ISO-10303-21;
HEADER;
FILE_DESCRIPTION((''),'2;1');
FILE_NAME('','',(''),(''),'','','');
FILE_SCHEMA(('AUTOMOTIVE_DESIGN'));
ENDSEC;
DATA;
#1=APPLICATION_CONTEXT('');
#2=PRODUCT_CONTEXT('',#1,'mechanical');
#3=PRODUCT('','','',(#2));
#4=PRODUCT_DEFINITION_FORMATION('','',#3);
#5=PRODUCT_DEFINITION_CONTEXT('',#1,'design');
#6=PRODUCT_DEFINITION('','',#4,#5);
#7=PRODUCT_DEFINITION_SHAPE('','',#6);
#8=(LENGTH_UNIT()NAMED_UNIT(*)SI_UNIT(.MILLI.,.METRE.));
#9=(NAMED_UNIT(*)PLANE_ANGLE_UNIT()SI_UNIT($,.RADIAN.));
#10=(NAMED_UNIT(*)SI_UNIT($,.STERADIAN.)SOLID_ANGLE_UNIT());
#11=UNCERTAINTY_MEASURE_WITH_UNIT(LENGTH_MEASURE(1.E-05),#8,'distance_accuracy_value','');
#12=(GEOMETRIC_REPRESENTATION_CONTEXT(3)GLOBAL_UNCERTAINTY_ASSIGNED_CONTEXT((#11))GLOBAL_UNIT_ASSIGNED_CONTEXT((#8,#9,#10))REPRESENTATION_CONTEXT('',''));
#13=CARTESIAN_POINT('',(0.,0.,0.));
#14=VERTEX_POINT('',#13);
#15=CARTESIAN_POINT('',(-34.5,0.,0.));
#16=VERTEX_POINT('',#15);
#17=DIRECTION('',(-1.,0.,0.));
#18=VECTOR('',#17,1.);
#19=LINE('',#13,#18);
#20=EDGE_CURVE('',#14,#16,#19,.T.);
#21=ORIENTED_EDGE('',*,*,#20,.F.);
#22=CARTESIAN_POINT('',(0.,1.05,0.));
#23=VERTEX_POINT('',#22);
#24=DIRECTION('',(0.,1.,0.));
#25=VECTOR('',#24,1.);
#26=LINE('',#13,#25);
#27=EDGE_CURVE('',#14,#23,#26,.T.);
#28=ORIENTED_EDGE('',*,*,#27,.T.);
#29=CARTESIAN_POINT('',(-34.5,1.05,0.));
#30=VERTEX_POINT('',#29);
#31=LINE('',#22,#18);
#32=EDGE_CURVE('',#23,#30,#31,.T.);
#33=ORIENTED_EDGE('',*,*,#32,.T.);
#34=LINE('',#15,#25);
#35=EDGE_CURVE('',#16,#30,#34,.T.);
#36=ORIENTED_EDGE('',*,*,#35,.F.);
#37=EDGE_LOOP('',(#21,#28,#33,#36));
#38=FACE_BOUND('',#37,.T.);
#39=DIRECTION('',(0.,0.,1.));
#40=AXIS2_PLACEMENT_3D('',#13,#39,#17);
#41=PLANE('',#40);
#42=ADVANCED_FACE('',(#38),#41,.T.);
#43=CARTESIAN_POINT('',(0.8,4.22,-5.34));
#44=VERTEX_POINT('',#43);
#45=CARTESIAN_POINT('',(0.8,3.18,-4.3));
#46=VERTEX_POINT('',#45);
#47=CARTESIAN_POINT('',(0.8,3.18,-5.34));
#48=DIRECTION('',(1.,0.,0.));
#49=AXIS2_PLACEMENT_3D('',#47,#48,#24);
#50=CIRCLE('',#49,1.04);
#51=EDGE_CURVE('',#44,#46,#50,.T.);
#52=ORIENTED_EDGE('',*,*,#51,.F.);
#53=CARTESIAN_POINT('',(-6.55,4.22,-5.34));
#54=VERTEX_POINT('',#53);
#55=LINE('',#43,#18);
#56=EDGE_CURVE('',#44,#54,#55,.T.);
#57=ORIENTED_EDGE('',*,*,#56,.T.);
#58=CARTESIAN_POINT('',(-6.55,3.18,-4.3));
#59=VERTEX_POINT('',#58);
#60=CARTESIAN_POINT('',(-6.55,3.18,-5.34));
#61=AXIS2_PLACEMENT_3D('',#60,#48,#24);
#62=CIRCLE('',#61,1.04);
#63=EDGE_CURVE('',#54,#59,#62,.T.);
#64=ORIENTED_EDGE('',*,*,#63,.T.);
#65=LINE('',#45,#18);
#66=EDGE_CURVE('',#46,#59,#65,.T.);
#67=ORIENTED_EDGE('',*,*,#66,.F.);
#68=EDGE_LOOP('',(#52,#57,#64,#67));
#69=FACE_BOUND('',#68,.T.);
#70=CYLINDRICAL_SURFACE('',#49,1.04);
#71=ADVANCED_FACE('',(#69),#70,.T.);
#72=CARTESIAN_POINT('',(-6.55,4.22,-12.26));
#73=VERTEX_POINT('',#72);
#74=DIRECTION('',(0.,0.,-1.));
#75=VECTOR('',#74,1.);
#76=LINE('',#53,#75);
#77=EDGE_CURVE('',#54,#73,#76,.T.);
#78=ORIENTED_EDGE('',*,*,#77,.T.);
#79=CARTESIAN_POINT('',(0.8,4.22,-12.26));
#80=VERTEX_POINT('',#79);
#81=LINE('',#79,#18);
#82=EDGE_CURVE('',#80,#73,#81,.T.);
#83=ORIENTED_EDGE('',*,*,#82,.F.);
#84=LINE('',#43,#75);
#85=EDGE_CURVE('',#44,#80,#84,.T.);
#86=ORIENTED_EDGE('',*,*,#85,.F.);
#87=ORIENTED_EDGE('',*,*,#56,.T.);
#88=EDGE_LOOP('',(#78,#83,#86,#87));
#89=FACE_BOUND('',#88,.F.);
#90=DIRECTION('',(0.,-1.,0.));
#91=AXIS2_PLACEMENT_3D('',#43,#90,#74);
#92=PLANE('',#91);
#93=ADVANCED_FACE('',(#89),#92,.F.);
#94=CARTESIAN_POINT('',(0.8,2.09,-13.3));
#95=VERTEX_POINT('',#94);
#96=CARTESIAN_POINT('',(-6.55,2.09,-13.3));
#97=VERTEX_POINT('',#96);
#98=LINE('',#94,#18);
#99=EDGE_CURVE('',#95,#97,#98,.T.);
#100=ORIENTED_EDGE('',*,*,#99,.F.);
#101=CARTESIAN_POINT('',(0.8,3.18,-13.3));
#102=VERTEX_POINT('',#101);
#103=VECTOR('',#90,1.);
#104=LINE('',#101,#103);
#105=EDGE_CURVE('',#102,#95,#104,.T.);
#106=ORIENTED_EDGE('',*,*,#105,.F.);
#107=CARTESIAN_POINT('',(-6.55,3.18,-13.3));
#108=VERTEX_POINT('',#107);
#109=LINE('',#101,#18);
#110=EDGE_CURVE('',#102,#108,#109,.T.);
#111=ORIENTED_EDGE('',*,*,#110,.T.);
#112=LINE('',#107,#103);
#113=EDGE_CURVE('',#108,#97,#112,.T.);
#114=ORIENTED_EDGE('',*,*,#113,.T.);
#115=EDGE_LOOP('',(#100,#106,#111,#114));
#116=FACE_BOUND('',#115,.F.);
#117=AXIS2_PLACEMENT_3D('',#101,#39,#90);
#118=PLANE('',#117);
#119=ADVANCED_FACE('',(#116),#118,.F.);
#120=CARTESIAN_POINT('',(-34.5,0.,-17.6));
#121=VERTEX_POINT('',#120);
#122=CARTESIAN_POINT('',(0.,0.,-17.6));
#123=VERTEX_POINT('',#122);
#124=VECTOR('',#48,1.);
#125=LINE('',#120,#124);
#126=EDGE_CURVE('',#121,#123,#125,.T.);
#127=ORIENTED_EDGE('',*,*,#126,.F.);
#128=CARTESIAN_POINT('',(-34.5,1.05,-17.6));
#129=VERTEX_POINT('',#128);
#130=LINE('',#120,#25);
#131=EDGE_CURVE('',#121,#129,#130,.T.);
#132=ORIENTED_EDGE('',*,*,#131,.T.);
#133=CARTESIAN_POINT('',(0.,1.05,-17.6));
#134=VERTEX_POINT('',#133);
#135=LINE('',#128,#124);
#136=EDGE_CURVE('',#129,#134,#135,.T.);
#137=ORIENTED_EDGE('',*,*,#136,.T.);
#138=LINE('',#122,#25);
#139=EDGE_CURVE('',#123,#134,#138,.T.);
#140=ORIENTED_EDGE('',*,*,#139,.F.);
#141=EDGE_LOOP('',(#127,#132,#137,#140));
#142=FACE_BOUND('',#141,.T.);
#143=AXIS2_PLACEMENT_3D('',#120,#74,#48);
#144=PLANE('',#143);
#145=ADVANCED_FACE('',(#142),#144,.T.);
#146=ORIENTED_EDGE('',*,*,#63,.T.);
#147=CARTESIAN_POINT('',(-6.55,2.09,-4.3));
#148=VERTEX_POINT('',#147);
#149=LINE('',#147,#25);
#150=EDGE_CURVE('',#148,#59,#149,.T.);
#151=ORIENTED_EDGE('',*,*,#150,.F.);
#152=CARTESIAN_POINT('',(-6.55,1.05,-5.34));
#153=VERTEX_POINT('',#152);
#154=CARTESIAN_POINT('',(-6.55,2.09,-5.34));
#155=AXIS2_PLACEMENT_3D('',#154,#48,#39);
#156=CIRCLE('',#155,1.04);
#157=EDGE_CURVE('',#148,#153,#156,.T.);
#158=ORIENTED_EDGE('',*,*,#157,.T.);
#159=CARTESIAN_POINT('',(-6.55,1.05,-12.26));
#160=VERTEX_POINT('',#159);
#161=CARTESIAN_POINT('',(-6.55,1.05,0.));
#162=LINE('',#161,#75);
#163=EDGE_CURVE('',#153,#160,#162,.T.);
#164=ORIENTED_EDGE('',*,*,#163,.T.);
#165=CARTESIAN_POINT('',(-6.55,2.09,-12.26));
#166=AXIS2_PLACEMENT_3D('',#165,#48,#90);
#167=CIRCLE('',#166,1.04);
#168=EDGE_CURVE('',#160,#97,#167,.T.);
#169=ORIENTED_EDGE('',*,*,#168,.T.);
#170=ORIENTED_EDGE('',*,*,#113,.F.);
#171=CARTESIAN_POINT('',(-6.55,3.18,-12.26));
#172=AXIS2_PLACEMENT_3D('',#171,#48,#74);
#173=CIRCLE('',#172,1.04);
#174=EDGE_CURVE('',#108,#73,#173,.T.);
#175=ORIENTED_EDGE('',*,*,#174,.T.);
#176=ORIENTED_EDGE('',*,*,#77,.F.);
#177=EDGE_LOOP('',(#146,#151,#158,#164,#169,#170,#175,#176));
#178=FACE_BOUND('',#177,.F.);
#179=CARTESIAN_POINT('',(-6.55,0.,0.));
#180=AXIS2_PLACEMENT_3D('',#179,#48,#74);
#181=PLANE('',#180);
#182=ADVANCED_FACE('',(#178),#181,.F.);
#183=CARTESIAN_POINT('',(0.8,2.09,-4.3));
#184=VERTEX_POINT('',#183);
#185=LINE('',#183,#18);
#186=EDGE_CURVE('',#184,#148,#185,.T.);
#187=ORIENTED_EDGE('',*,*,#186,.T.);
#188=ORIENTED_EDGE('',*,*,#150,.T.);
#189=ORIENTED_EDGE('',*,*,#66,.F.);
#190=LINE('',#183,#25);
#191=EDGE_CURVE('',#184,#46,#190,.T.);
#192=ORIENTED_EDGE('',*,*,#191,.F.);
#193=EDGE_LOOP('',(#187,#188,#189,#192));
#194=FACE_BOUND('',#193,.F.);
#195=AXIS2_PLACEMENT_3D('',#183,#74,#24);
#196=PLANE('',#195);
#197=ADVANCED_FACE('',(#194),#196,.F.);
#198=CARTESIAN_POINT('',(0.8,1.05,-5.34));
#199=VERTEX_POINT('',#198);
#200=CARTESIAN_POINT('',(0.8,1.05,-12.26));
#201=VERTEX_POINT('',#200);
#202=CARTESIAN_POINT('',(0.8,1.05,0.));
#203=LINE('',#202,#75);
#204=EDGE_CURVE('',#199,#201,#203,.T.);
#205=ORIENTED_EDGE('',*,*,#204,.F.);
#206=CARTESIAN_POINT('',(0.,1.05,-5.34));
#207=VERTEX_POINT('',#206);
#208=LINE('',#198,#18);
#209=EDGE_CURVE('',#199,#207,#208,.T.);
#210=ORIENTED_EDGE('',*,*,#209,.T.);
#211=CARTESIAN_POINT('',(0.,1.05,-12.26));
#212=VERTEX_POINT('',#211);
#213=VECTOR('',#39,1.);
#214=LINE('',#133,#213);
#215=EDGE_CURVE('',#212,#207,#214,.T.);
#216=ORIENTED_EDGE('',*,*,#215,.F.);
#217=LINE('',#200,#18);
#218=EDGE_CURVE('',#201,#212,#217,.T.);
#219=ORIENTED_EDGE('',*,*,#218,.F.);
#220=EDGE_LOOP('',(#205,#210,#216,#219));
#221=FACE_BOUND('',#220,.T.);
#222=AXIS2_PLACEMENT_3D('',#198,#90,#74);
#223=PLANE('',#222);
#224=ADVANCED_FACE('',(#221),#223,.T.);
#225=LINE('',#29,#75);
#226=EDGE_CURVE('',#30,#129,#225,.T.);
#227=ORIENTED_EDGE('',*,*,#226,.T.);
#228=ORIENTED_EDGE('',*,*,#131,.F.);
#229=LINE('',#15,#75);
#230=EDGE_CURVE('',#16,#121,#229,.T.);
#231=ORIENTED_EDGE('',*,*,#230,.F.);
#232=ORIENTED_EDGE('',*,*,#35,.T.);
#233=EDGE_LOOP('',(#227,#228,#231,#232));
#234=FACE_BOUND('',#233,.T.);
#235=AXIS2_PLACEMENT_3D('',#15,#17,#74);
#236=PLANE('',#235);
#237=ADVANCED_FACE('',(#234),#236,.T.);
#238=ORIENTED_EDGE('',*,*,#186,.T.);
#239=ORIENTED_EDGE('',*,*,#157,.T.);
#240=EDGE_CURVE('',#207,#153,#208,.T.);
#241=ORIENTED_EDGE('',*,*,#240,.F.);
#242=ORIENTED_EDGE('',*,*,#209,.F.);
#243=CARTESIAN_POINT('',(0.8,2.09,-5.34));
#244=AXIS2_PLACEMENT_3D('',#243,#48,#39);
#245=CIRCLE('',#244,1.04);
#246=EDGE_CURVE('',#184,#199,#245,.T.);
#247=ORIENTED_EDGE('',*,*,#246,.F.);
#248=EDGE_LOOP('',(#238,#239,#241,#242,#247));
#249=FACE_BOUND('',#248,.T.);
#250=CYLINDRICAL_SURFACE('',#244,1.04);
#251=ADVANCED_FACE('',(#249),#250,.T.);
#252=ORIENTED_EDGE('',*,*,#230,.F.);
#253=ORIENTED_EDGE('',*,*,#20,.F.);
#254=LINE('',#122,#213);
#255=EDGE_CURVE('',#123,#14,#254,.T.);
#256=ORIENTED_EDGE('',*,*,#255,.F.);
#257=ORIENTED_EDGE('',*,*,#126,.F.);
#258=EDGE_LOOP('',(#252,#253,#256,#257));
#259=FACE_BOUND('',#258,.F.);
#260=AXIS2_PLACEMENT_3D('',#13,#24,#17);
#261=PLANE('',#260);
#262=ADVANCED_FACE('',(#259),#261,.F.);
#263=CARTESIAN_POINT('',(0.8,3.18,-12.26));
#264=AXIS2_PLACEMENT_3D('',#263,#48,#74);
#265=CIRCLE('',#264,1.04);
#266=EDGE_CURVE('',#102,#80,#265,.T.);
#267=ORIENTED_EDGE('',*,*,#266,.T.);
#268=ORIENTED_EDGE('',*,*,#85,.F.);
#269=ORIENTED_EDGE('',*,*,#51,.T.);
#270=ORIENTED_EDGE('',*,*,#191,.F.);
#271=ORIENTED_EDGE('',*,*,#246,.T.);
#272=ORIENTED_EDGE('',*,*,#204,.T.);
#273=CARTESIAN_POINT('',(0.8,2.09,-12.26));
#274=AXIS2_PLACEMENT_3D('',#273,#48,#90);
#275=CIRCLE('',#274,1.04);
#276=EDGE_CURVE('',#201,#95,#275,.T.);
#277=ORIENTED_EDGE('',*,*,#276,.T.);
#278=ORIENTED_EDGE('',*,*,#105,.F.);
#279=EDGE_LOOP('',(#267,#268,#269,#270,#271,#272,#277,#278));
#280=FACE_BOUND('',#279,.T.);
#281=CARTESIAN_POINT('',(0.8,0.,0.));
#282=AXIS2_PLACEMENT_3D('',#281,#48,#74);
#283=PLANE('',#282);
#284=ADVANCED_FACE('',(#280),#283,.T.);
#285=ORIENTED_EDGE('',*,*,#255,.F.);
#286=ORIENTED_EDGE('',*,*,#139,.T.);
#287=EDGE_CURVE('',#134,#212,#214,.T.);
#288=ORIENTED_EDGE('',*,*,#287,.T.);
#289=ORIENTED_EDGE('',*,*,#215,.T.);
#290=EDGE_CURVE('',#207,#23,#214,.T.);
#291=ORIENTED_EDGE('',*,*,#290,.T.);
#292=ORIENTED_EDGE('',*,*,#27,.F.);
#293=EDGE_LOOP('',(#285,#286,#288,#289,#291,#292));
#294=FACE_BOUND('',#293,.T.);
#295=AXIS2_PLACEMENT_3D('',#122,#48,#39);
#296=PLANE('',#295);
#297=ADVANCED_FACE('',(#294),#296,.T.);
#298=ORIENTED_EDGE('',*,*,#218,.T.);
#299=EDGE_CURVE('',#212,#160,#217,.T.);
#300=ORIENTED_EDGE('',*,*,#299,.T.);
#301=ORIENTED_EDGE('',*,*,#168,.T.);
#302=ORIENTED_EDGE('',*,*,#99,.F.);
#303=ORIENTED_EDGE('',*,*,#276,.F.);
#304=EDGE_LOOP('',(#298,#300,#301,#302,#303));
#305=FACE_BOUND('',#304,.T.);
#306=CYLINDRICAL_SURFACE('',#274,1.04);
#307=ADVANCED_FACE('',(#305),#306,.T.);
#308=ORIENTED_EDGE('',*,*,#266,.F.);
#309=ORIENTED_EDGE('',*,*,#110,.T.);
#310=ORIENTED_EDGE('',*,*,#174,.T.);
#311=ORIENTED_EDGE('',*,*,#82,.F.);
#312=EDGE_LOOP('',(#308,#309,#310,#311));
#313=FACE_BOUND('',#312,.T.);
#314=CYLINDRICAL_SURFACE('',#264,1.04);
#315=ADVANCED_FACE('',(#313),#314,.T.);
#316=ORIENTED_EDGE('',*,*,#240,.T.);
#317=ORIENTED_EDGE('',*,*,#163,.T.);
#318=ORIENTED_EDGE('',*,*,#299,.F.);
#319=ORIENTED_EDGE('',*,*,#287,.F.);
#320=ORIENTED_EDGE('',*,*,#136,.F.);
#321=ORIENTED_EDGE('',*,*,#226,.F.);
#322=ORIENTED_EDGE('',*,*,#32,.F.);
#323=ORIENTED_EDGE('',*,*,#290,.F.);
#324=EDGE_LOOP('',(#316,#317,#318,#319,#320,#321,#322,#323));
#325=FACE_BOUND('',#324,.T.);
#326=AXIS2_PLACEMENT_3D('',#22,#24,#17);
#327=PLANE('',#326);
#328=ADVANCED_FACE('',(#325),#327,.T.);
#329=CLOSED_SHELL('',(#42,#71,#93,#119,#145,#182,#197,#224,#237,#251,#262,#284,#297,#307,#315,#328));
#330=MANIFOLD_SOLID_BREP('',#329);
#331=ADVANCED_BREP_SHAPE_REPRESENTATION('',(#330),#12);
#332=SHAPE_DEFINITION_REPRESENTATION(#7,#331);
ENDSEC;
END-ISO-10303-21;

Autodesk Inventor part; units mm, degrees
ref_plane "YZ Plane" through (0, 0, 0) normal (1, 0, 0) x (0, 1, 0)
ref_plane "XZ Plane" through (0, 0, 0) normal (0, 1, 0) x (-1, 0, 0)
sketch "Sketch1" plane through (0, 0, 0) normal (0, 1, 0) x (-1, 0, 0)
  line L0 (0, 0) -> (34.5, 0)
  line L1 (34.5, 0) -> (34.5, -17.6)
  line L2 (34.5, -17.6) -> (0, -17.6)
  line L3 (0, -17.6) -> (0, 0)
  dimension "d0" = 17.6
  dimension "d1" = 34.5
extrude "Extrusion1" add sketch "Sketch1" along normal blind 1.05
ref_plane "Work Plane1" through (0.8, 0, 0) normal (1, 0, 0) x (0, 0, -1)
sketch "Sketch2" plane through (0.8, 0, 0) normal (1, 0, 0) x (0, 0, -1)
  line L0 (0, 0) -> (17.6, 0) projected
  line L1 (17.6, 0) -> (17.6, 1.05) projected
  line L2 (0, 1.05) -> (17.6, 1.05) projected
  line L3 (0, 0) -> (0, 1.05) projected
  line L4 (17.6, 0) -> (0, 0) construction
  line L5 (8.8, 0) -> (8.8, 1.05) construction
  line L6 (17.6, 1.05) -> (0, 1.05) construction
  line L7 (5.34, 4.22) -> (12.26, 4.22)
  line L8 (13.3, 3.18) -> (13.3, 2.09)
  line L9 (12.26, 1.05) -> (5.34, 1.05)
  line L10 (4.3, 2.09) -> (4.3, 3.18)
  line L11 (0, 1.05) -> (17.6, 1.05) projected
  arc A0 (5.34, 4.22) -> (4.3, 3.18) centre (5.34, 3.18) ccw
  arc A1 (4.3, 2.09) -> (5.34, 1.05) centre (5.34, 2.09) ccw
  arc A2 (13.3, 3.18) -> (12.26, 4.22) centre (12.26, 3.18) ccw
  arc A3 (12.26, 1.05) -> (13.3, 2.09) centre (12.26, 2.09) ccw
  point P0 (4.3, 4.22)
  point P1 (13.3, 4.22)
  point P2 (4.3, 1.05)
  point P3 (5.34, 1.05)
  point P4 (12.26, 1.05)
  dimension "d5" = 9
  dimension "d6" = 3.17
  dimension "d7" = 1.04
extrude "Extrusion2" add sketch "Sketch2" against normal blind 7.35 contours A1 L10 A0 L7 A2 L8 A3 L2
equation "\"d2\" = pcbThickness"
equation "\"pcbThickness\" = 1.05"
equation "\"usbcEdgeOffset\" = 0.8"
equation "\"d4\" = usbcEdgeOffset"
properties part number "MCU_TinyPICO"
